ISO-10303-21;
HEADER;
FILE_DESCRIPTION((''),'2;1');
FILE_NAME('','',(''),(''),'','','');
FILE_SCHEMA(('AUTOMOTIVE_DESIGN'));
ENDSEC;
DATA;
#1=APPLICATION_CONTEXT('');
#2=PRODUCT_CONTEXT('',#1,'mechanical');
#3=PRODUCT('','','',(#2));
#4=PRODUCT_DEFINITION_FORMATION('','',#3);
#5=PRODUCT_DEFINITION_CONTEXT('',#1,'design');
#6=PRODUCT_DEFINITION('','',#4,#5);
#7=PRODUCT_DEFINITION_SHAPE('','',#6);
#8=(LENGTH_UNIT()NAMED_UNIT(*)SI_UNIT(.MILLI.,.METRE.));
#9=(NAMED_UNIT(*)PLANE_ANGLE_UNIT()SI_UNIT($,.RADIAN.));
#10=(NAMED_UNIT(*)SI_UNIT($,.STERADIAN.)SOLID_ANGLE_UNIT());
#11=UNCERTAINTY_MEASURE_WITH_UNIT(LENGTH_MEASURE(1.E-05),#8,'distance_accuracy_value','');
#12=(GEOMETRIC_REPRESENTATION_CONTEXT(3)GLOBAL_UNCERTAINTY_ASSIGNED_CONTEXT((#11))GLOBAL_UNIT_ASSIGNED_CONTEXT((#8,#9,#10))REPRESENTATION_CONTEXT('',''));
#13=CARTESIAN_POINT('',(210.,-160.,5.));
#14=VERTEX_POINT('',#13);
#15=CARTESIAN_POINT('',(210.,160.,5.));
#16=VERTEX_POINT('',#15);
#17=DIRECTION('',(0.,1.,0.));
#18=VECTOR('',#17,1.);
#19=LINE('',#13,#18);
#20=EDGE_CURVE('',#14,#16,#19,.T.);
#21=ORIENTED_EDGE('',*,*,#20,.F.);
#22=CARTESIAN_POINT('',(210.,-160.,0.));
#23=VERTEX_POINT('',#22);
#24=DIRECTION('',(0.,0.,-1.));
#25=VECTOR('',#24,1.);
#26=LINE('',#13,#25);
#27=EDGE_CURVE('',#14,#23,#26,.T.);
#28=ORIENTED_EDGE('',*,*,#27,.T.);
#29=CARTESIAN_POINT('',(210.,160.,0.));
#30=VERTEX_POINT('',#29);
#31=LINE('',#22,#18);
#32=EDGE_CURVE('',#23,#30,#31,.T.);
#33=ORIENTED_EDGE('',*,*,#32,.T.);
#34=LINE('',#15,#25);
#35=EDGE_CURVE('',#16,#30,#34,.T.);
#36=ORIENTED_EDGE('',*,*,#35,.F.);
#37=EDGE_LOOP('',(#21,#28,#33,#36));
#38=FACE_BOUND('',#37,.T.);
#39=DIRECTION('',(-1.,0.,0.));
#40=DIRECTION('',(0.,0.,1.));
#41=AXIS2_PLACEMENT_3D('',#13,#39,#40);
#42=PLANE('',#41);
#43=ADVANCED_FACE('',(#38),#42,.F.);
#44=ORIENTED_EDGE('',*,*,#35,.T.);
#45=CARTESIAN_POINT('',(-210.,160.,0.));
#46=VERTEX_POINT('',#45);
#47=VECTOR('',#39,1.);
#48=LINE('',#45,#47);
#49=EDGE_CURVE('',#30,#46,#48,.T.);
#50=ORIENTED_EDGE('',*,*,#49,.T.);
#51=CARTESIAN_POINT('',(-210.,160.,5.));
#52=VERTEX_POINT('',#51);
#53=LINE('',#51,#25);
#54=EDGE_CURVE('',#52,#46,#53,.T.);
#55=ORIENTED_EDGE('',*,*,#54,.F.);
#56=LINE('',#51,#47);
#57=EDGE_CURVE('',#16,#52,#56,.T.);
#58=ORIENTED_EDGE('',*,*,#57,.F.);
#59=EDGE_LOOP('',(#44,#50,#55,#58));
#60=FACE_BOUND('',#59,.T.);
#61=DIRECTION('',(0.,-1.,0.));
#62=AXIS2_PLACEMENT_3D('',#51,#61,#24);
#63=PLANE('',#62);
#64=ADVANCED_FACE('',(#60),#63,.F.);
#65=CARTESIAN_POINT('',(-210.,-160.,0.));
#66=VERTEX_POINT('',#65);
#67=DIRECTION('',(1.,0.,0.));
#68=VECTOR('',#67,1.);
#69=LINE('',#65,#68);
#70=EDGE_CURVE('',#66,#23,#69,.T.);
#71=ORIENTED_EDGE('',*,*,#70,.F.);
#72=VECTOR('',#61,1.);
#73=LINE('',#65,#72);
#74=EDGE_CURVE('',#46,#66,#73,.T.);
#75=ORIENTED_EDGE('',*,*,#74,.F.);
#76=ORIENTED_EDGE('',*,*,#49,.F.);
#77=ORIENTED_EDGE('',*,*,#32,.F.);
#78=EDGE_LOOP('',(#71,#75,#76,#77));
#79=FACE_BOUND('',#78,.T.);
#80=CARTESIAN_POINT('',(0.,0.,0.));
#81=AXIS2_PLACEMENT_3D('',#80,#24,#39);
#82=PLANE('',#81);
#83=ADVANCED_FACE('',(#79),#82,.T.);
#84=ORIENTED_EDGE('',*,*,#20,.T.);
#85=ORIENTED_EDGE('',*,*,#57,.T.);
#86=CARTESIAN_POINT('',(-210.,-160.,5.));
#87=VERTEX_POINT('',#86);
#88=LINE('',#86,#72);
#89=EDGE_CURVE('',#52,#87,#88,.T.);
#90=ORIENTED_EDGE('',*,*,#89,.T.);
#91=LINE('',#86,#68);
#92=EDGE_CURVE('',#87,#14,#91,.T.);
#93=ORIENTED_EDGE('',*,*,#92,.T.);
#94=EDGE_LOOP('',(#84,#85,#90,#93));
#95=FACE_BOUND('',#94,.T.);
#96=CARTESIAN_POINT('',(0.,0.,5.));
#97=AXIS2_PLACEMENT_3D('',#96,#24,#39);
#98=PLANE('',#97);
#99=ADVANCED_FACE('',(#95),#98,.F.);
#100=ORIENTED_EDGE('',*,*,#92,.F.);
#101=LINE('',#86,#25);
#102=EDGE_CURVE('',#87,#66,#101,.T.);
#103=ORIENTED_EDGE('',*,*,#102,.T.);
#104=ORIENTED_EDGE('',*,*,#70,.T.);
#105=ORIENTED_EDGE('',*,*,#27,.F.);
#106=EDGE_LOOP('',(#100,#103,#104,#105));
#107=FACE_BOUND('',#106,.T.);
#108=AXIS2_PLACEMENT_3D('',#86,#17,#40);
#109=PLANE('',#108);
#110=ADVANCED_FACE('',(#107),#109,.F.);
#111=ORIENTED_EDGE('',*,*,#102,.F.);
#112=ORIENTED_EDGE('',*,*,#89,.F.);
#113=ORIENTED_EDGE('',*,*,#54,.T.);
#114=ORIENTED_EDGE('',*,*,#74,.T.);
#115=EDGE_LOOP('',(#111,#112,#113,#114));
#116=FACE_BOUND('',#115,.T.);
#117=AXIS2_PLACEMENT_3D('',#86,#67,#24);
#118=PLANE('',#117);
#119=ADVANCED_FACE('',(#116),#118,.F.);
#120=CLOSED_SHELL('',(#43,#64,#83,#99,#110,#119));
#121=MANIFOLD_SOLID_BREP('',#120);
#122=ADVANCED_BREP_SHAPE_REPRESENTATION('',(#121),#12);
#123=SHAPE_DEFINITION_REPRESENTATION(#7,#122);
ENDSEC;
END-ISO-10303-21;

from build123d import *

# Parameters (mm, degrees)
ESQUISSE2_W        = 420
ESQUISSE2_H        = 320
BOSS_EXTRU_1_DEPTH = 5


with BuildPart() as part:
    # Esquisse2 → Boss.-Extru.1 (new body)
    with BuildSketch(Plane.XY):
        Rectangle(ESQUISSE2_W, ESQUISSE2_H)
    extrude(amount=BOSS_EXTRU_1_DEPTH)


solid = part.part
